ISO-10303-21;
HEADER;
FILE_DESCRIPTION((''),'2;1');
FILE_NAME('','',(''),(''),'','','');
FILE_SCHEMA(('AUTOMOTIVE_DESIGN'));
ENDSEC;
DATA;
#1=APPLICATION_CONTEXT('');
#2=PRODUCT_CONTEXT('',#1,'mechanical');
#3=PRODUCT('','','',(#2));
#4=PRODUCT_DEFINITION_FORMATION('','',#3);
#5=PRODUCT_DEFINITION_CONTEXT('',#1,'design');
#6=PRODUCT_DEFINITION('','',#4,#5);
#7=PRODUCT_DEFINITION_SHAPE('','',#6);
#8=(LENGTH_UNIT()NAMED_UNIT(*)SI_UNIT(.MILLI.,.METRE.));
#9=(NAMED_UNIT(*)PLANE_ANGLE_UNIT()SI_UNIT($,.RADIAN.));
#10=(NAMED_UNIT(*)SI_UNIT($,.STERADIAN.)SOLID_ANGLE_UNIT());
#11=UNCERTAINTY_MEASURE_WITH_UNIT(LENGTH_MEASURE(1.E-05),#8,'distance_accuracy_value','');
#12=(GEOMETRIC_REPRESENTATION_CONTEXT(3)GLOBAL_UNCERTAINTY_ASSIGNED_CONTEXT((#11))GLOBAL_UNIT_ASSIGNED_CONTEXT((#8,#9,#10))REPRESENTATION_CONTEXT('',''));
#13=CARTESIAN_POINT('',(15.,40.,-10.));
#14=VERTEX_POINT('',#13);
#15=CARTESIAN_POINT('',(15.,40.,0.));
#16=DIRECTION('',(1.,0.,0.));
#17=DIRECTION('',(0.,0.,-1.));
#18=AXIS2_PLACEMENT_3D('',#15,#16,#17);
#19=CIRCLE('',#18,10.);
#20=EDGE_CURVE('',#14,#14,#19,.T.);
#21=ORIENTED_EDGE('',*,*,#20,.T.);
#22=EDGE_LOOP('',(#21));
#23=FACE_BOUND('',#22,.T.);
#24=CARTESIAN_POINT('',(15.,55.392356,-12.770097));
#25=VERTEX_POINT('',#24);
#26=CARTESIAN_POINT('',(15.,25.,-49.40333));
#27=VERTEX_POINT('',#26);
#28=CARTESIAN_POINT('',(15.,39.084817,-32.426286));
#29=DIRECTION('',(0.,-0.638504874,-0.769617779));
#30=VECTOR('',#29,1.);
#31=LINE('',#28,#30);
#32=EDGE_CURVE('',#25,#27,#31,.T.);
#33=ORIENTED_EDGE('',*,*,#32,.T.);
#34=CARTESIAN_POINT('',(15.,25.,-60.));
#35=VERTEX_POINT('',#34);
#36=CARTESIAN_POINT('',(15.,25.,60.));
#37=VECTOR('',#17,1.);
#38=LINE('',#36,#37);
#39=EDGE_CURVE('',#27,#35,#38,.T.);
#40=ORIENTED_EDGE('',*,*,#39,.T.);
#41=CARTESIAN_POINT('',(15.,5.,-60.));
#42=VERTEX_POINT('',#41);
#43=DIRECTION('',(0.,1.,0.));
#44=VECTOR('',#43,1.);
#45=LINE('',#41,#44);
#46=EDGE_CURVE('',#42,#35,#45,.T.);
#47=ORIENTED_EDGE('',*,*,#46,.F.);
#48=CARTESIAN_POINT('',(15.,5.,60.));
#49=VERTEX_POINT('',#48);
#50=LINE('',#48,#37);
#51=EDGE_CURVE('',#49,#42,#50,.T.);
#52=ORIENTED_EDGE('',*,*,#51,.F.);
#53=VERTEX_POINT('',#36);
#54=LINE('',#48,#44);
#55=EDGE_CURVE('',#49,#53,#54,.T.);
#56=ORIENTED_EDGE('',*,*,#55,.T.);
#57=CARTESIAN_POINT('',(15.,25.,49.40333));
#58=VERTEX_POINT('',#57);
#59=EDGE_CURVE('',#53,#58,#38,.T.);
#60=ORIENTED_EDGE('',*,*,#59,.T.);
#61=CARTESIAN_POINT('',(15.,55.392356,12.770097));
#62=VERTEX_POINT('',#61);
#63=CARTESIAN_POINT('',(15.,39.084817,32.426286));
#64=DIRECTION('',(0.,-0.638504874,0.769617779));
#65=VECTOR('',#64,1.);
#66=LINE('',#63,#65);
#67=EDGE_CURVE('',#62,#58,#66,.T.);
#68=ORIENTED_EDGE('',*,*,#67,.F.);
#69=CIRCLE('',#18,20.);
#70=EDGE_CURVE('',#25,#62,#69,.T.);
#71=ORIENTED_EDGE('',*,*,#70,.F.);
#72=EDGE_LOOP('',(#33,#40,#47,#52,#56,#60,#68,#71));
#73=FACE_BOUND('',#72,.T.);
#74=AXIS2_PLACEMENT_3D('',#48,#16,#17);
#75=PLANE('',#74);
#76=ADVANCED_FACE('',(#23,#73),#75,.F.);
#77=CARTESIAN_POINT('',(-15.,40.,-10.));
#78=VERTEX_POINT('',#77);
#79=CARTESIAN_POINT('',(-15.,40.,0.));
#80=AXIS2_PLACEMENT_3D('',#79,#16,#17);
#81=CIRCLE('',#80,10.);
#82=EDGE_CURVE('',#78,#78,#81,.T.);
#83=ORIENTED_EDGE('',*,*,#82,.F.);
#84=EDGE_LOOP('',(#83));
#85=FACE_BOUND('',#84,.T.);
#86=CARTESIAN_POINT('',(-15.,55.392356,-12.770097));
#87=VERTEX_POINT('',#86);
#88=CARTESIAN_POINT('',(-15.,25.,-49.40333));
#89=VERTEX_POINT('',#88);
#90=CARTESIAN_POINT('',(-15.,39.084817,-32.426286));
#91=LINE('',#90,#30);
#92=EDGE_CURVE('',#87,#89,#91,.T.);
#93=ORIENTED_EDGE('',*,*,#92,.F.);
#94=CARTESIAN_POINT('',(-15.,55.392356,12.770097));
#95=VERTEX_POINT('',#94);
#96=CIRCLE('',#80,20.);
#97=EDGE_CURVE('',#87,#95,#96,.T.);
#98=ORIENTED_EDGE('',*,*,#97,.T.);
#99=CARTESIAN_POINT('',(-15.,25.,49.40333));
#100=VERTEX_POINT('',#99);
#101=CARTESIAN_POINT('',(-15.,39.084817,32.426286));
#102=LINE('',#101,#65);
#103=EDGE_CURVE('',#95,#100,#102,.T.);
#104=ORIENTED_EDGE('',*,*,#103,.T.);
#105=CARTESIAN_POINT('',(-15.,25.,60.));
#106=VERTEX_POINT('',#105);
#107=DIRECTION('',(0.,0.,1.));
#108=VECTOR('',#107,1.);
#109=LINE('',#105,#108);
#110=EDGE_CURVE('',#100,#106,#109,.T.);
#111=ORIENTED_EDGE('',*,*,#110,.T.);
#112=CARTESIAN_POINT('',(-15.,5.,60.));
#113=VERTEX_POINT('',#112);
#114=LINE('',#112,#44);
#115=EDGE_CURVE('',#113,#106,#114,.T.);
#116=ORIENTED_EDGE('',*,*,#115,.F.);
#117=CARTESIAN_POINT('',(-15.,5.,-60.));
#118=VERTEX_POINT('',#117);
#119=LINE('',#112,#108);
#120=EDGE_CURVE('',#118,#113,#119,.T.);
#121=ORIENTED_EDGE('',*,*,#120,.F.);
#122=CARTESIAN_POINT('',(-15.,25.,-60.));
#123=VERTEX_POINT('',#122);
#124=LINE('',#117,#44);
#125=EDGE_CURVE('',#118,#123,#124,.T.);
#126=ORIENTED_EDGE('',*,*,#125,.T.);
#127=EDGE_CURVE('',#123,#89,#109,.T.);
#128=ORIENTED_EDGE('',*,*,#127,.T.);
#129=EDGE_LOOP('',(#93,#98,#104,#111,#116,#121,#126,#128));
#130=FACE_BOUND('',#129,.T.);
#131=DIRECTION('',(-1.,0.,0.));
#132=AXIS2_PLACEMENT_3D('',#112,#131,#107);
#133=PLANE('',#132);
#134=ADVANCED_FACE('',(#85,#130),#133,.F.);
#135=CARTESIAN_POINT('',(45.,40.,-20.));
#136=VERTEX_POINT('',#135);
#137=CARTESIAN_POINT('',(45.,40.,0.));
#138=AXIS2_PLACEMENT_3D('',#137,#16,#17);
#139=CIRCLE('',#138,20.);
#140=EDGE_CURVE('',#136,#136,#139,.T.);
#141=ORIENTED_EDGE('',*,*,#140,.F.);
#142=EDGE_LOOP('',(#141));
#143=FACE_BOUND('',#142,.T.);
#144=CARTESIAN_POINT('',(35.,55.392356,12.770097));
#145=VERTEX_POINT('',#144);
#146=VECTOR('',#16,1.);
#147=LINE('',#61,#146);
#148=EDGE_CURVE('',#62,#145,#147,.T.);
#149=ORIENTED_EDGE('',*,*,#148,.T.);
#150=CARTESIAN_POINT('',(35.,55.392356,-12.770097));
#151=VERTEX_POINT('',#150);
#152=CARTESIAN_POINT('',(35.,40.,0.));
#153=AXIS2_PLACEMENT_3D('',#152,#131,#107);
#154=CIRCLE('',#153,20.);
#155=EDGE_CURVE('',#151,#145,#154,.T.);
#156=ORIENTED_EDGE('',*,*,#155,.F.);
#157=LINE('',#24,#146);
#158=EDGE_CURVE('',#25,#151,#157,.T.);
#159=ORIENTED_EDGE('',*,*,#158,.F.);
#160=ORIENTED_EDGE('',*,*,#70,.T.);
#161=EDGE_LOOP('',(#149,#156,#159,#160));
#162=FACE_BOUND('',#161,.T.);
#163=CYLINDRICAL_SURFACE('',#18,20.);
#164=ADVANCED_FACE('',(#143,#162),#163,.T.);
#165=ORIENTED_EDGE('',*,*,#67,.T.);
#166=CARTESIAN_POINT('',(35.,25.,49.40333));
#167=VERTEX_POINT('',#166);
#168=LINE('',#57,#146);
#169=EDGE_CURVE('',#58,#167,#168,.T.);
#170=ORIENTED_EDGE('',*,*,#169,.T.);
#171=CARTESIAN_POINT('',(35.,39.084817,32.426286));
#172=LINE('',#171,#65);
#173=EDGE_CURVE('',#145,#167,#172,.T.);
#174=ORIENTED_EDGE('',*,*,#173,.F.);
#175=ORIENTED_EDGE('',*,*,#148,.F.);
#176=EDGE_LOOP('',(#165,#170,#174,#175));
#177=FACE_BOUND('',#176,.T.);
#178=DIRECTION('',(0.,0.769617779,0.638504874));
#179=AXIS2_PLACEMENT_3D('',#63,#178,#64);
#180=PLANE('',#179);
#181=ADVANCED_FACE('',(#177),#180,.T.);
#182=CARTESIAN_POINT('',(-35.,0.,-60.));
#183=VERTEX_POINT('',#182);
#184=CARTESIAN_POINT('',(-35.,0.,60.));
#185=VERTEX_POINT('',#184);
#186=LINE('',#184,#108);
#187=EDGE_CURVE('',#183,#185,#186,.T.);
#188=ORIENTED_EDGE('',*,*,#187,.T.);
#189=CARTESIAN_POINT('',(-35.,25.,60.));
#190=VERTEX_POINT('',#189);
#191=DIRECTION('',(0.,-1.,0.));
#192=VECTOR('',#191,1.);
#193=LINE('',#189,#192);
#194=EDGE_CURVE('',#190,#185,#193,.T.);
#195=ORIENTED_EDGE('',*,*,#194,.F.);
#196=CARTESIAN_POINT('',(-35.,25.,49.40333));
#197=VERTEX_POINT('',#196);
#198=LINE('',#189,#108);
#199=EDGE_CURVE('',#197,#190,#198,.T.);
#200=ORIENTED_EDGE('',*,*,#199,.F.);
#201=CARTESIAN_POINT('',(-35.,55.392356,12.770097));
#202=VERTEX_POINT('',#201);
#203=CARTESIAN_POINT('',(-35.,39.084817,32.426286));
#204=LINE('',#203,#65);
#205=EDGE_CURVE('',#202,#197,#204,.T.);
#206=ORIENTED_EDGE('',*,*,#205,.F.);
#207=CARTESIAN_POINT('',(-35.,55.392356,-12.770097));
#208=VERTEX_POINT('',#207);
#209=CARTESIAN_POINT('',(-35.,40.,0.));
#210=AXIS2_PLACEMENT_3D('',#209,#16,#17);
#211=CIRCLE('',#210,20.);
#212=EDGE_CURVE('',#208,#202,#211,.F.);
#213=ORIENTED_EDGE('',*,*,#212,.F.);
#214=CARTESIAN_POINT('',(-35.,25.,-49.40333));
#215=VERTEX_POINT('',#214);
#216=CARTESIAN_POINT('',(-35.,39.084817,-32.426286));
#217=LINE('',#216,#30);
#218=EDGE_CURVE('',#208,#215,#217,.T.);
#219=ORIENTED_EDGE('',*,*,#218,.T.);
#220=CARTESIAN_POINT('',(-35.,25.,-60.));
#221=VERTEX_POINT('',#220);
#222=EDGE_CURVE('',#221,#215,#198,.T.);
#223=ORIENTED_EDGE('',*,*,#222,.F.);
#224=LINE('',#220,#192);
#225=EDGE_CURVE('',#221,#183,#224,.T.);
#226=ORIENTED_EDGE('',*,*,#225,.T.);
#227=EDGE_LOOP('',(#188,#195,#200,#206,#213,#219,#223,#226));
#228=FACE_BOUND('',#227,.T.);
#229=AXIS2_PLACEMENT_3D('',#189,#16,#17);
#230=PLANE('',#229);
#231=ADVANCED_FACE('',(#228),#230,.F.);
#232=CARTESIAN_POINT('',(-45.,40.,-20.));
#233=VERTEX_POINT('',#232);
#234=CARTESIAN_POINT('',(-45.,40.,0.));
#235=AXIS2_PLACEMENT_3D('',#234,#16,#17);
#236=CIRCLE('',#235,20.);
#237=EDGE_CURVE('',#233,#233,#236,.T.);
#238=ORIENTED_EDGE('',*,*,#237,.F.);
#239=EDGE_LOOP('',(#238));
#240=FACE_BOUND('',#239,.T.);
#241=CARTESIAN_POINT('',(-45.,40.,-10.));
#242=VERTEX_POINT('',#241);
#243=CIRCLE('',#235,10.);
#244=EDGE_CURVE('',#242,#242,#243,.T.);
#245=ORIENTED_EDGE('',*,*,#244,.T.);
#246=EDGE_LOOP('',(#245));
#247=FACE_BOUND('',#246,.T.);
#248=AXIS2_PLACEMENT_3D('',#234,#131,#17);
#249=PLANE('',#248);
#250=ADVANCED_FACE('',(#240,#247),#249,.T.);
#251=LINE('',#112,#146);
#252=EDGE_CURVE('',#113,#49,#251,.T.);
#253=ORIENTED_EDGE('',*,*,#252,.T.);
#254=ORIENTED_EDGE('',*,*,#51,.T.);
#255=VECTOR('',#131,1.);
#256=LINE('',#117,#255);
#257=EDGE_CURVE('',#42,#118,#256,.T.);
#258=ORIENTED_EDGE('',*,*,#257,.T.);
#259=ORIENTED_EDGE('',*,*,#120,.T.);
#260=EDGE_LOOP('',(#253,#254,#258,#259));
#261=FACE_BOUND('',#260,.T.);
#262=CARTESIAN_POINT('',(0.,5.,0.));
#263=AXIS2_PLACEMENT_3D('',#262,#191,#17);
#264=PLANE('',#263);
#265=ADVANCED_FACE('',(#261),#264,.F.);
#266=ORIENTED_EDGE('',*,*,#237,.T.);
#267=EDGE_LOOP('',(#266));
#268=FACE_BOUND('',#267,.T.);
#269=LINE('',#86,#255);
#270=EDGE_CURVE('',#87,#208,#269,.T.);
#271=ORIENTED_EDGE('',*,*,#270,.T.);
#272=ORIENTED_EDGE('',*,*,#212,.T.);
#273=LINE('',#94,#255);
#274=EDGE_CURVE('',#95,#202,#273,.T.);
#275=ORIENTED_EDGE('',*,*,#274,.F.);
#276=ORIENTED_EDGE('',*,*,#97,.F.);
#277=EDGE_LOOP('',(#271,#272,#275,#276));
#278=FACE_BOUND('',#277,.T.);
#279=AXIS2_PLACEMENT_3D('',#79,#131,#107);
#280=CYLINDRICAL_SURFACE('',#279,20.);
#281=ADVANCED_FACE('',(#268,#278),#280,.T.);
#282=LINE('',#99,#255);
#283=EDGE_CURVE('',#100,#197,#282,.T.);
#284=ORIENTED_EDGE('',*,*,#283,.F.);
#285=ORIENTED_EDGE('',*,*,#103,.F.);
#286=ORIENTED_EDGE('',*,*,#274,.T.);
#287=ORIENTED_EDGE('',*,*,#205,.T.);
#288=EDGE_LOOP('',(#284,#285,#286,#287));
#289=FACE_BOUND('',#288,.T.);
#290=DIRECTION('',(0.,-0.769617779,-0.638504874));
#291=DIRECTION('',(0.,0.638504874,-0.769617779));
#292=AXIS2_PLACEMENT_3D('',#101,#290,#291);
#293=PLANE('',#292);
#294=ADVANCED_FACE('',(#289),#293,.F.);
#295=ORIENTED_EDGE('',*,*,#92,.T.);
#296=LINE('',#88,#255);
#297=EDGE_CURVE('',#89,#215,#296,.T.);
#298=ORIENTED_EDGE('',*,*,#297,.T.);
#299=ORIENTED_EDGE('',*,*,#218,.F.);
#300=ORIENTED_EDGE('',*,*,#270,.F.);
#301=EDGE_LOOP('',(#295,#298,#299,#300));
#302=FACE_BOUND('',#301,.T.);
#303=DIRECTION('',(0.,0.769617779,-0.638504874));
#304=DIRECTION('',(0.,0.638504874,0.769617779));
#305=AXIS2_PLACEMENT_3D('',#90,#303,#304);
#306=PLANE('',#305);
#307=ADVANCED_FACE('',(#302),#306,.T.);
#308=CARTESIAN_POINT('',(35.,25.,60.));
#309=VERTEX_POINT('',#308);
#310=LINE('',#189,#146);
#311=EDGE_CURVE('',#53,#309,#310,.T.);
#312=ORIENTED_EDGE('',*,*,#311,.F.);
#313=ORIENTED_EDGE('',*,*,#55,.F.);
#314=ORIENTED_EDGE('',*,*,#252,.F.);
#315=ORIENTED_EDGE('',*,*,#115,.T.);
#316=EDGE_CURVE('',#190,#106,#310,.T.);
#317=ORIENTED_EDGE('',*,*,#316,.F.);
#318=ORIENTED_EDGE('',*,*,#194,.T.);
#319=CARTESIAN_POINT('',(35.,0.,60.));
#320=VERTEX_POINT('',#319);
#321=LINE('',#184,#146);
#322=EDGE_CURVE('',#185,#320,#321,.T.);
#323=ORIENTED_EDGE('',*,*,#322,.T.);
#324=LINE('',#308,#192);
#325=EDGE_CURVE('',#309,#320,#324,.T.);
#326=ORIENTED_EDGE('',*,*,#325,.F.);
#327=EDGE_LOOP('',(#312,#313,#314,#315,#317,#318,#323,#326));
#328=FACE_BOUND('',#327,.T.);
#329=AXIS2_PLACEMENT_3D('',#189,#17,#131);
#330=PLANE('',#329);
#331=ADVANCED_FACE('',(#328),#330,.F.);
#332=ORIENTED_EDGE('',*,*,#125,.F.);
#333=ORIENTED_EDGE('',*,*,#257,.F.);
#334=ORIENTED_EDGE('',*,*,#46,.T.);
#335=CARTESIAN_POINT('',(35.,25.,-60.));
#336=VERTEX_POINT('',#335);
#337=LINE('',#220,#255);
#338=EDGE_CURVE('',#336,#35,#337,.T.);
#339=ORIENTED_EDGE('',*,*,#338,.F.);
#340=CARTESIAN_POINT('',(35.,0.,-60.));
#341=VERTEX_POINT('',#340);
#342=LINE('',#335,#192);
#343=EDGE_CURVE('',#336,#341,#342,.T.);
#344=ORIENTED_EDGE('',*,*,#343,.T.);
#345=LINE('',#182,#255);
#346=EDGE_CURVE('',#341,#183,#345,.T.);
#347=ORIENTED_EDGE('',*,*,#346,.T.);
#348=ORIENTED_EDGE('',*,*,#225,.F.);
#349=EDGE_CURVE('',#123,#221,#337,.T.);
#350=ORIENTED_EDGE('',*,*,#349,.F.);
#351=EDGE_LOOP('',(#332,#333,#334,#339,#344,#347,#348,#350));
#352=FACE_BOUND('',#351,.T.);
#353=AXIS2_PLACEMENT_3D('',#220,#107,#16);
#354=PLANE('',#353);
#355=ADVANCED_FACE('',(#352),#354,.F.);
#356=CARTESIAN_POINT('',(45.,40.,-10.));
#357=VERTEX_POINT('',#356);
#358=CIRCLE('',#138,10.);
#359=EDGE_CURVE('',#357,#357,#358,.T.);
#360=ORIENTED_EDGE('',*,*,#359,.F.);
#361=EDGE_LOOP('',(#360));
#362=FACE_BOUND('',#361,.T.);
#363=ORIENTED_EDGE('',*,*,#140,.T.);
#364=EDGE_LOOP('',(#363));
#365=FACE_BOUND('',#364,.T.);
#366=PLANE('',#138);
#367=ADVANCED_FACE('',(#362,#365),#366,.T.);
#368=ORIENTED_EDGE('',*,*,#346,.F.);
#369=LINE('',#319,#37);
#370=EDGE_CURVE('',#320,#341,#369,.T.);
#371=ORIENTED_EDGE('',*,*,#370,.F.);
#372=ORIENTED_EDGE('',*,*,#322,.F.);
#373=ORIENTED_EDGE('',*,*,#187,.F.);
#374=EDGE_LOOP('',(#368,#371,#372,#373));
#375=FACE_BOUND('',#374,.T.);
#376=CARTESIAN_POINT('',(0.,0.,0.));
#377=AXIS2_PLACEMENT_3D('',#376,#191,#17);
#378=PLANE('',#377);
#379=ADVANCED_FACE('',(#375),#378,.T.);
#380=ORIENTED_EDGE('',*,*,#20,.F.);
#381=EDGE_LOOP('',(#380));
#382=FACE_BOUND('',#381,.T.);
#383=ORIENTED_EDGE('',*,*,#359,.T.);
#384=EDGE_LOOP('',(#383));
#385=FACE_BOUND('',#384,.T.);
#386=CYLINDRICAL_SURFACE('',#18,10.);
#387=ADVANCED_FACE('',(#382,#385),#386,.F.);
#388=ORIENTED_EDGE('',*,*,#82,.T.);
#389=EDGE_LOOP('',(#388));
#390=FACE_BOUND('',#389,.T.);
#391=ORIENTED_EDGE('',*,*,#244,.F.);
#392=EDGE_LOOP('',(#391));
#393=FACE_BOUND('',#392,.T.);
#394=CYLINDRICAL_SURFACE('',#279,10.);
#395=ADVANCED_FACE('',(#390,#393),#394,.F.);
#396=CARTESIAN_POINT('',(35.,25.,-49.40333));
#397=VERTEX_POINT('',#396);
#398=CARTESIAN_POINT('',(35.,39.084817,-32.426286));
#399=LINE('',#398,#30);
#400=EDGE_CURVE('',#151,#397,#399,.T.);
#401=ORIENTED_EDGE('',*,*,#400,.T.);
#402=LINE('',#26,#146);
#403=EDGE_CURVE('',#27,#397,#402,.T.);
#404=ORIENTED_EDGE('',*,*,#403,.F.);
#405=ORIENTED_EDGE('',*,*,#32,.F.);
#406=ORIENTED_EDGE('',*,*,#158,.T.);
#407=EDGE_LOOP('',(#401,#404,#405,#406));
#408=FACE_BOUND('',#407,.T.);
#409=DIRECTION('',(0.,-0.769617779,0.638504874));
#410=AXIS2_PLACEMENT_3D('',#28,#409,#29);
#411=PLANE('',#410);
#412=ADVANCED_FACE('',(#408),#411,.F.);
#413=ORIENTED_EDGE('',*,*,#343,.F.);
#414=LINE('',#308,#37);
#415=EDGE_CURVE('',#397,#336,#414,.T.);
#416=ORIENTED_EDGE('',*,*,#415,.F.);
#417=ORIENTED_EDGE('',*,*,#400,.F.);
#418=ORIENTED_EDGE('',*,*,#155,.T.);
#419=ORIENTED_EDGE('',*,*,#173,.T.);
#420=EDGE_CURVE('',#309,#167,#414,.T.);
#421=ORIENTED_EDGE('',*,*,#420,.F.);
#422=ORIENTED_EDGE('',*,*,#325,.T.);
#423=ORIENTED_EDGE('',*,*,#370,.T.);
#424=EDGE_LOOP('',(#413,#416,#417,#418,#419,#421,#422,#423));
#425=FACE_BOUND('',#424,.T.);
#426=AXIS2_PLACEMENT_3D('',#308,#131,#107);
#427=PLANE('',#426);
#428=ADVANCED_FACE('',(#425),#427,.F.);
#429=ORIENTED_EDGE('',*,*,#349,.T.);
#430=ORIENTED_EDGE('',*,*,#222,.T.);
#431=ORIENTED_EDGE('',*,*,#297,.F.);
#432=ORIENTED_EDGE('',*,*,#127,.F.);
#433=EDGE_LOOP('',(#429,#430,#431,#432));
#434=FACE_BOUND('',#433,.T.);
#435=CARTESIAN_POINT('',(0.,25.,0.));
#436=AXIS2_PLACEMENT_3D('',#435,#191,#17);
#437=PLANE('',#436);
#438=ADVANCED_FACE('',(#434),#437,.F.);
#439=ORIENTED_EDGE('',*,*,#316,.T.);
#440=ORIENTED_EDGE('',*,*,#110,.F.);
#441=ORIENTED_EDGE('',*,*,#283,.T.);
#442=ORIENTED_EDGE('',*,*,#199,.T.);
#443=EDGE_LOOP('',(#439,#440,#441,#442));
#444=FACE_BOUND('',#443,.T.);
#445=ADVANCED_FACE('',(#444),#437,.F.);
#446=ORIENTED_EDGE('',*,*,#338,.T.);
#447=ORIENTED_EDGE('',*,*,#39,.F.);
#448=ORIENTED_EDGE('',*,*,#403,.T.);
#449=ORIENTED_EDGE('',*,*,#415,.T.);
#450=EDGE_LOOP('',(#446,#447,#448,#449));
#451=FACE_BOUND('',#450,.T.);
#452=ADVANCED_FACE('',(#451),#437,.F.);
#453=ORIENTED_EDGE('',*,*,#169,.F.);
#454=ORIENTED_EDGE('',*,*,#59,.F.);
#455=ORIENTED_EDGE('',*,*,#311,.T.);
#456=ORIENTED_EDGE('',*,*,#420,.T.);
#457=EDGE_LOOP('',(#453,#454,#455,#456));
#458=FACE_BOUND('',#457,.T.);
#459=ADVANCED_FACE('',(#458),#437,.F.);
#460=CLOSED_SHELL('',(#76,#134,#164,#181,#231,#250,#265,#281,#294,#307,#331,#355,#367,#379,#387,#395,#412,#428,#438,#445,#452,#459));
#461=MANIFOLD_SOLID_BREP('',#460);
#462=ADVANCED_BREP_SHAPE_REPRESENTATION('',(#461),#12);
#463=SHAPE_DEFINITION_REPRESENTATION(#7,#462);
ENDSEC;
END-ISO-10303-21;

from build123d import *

# Parameters (mm, degrees)
SKETCH1_W           = 70
SKETCH1_H           = 120
BOSS_EXTRUDE1_DEPTH = 25
SKETCH2_W           = 30
SKETCH2_H           = 120
CUT_EXTRUDE1_DEPTH  = 20
SKETCH4_R           = 20
SKETCH4_R_2         = 10
BOSS_EXTRUDE2_DEPTH = 30
BOSS_EXTRUDE3_DEPTH = 20


with BuildPart() as part:
    # Sketch1 → Boss-Extrude1 (new body)
    with BuildSketch(Plane(origin=(0, 0, 0), x_dir=(1, 0, 0), z_dir=(0, 1, 0))):
        Rectangle(SKETCH1_W, SKETCH1_H)
    extrude(amount=BOSS_EXTRUDE1_DEPTH)

    # Sketch2 → Cut-Extrude1 (cut)
    with BuildSketch(Plane(origin=(0, 25, 0), x_dir=(1, 0, 0), z_dir=(0, 1, 0))):
        Rectangle(SKETCH2_W, SKETCH2_H)
    extrude(amount=-CUT_EXTRUDE1_DEPTH, mode=Mode.SUBTRACT)

    # Sketch4 → Boss-Extrude2 (add)
    with BuildSketch(Plane(origin=(45, 0, 0), x_dir=(0, 0, -1), z_dir=(1, 0, 0))):
        with Locations((0, 40)):
            Circle(SKETCH4_R)
        with Locations((0, 40)):
            Circle(SKETCH4_R_2, mode=Mode.SUBTRACT)
    boss_extrude2 = extrude(amount=-BOSS_EXTRUDE2_DEPTH)

    # Mirror1: Boss-Extrude2 across plane
    add(boss_extrude2.mirror(Plane(origin=(0, 0, 0), x_dir=(0, 0, 1), z_dir=(1, 0, 0))))

    # Sketch5 → Boss-Extrude3 (add)
    with BuildSketch(Plane.ZY.offset(35)):
        with BuildLine():
            ThreePointArc((-13.228756555, 25), (-19.997722926, 40.301790929), (-12.770097474, 55.392355587))
            Line((-12.770097474, 55.392355587), (-49.403329543, 25))
            Line((-49.403329543, 25), (-13.228756555, 25))
        make_face()
        with BuildLine():
            Line((49.403329543, 25), (12.770097474, 55.392355587))
            ThreePointArc((12.770097474, 55.392355587), (18.10251294, 48.50288335), (20, 40))
            ThreePointArc((20, 40), (18.228756555, 31.771243445), (13.228756555, 25))
            Line((13.228756555, 25), (49.403329543, 25))
        make_face()
    boss_extrude3 = extrude(amount=-BOSS_EXTRUDE3_DEPTH)

    # Mirror2: Boss-Extrude3 across plane
    add(boss_extrude3.mirror(Plane(origin=(0, 0, 0), x_dir=(0, 0, 1), z_dir=(1, 0, 0))))


solid = part.part
